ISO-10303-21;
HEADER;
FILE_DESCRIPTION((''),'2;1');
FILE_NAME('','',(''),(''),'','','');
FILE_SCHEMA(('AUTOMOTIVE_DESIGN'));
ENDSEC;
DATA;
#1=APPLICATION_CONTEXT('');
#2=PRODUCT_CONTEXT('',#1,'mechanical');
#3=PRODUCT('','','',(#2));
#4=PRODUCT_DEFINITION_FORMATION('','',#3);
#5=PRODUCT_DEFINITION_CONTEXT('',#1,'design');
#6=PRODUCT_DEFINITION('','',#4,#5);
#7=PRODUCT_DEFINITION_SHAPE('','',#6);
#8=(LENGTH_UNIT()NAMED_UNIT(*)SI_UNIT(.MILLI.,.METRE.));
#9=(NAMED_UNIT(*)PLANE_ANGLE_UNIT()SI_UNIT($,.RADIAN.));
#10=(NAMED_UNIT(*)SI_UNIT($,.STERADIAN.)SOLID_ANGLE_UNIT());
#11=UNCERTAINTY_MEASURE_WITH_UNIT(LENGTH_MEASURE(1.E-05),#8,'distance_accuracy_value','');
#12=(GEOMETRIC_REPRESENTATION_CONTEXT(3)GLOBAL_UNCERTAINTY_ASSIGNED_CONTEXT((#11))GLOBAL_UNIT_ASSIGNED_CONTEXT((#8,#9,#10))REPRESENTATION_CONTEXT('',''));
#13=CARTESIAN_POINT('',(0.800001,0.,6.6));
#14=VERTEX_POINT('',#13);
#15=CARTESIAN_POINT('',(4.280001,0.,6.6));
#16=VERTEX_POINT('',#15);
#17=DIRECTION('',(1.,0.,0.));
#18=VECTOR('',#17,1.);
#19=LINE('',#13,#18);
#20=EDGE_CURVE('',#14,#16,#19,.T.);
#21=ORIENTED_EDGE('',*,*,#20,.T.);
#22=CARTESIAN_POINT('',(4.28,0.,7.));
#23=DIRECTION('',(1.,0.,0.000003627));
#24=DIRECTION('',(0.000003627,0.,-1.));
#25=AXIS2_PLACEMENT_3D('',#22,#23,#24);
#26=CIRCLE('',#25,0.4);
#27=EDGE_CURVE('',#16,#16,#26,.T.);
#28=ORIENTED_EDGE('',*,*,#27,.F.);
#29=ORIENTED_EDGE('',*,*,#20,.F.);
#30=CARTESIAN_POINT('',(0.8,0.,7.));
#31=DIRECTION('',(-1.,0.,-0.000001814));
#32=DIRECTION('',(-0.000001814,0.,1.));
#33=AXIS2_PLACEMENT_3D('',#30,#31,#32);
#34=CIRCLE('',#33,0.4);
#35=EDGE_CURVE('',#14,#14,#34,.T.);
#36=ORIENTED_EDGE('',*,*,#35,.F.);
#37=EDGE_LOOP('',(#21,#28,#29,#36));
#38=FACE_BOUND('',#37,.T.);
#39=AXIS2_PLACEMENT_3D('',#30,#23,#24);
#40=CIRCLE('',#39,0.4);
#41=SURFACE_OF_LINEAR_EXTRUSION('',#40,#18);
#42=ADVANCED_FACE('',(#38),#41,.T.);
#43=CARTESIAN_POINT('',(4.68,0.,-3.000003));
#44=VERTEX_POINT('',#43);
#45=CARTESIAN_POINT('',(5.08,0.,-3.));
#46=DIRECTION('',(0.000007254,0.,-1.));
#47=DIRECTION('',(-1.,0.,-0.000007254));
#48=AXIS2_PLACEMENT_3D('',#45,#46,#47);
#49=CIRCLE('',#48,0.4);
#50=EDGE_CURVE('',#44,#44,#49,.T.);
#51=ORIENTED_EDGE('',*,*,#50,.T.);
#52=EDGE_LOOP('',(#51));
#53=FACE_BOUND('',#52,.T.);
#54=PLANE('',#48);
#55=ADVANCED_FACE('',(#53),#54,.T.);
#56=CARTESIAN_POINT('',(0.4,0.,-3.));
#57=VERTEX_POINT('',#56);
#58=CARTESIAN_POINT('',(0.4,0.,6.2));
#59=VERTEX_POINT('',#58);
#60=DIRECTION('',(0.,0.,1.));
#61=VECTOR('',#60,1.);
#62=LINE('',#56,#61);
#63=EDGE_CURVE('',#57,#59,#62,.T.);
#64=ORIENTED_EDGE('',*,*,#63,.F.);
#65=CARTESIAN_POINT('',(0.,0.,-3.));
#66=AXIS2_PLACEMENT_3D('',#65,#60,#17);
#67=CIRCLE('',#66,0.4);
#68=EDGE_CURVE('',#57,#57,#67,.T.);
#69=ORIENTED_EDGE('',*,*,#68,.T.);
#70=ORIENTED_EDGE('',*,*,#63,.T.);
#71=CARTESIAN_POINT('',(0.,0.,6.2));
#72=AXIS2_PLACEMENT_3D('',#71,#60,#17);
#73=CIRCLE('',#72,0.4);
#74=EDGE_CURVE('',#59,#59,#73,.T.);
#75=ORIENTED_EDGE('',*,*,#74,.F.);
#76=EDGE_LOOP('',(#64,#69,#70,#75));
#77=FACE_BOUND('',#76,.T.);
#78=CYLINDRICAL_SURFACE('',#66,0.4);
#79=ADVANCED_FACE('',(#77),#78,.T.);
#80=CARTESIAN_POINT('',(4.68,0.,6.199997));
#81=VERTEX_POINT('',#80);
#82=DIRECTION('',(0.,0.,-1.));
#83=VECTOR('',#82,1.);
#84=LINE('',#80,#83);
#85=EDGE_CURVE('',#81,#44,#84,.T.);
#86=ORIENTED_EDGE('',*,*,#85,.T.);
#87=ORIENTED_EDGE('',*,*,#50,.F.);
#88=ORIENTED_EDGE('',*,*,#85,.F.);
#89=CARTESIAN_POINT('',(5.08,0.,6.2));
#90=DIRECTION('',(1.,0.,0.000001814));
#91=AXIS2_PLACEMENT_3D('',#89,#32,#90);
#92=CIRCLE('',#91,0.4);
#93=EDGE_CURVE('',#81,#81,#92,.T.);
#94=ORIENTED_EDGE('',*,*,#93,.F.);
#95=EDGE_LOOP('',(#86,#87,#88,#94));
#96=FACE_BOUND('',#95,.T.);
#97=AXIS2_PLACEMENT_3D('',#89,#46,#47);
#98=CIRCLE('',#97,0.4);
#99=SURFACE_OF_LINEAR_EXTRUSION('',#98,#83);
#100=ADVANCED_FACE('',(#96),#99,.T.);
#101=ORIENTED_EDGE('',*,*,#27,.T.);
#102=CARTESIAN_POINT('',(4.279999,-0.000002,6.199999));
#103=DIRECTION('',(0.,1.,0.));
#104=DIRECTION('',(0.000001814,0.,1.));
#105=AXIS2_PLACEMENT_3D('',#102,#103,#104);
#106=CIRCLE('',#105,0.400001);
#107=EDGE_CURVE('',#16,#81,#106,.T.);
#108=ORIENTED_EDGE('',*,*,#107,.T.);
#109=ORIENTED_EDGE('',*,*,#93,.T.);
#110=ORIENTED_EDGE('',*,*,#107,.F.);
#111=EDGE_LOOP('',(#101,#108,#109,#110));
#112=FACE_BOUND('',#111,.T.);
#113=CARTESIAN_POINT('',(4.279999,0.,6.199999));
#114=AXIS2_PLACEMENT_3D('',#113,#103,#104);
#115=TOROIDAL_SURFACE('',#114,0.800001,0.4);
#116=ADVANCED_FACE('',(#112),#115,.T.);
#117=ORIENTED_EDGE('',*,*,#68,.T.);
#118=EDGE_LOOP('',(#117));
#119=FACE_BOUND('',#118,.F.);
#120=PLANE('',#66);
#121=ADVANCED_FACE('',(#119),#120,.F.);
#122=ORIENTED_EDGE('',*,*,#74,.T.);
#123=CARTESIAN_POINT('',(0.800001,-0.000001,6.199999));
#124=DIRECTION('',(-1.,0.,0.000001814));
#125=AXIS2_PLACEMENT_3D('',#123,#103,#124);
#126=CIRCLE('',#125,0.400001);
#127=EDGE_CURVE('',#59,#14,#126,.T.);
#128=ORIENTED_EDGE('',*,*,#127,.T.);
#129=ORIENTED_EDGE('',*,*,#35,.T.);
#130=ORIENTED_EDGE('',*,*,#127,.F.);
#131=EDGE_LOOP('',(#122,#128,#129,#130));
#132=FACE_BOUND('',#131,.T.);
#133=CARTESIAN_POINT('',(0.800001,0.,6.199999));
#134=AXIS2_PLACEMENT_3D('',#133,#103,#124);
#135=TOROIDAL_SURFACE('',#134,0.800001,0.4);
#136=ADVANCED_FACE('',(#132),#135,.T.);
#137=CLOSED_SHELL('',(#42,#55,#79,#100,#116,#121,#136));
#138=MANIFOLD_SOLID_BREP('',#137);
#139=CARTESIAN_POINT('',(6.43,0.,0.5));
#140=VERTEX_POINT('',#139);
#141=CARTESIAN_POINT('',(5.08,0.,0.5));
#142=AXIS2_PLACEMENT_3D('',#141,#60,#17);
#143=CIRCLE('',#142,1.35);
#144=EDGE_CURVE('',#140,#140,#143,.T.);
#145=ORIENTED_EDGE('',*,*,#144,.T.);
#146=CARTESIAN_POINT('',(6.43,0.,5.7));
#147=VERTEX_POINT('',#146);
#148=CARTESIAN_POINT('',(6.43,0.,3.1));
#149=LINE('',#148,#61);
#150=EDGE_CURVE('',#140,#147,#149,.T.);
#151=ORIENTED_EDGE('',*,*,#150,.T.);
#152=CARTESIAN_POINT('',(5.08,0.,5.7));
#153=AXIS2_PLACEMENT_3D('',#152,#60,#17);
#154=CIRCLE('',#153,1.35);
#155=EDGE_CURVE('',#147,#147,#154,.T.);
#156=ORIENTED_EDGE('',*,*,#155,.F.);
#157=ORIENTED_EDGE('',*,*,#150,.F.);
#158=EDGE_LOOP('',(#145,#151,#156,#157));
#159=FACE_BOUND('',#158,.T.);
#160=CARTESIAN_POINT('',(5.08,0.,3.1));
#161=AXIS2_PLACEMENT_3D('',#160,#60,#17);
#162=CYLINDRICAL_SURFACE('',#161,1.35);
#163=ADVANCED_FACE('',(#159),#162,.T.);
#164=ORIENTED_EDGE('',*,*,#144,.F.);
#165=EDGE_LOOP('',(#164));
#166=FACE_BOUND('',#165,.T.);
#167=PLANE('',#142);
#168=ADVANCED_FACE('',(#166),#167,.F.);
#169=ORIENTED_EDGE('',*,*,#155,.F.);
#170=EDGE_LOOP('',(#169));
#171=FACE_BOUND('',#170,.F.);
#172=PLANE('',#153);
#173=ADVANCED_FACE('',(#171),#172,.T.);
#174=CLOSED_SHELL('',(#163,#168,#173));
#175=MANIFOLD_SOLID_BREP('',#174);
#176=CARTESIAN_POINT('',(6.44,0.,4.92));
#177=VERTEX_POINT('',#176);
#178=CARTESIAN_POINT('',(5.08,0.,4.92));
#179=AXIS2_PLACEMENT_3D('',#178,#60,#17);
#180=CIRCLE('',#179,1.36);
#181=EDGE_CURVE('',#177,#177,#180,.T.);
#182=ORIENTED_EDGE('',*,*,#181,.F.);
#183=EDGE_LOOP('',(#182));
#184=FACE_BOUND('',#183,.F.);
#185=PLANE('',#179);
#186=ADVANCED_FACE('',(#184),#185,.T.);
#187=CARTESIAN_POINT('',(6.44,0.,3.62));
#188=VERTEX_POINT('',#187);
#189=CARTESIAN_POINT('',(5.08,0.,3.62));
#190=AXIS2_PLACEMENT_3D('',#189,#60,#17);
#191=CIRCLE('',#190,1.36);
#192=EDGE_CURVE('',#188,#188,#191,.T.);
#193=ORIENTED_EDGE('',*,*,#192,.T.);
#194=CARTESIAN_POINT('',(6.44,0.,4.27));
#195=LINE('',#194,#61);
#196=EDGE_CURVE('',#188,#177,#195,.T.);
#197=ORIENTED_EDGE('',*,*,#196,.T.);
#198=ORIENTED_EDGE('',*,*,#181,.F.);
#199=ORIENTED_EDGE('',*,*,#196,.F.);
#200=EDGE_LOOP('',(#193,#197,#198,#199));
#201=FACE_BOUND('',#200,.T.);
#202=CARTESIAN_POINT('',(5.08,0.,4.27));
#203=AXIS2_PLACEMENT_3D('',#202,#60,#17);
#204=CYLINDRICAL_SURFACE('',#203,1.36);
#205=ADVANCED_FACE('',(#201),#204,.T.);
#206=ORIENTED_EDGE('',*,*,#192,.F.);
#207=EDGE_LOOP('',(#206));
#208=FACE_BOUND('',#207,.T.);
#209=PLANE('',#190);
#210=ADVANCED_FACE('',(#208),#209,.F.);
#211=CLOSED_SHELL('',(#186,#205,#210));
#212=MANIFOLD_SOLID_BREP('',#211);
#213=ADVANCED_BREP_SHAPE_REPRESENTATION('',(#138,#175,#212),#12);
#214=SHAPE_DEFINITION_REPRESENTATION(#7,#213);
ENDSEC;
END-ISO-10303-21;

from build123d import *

# Parameters (mm, degrees)
SKETCH001_R = 0.4
SKETCH002_W = 1.35
SKETCH002_H = 5.2
SKETCH003_W = 1.36
SKETCH003_H = 1.3


with BuildPart() as sweep_body:
    # Sweep: sweep along a path in Sketch
    with BuildLine(Plane.XZ) as sweep_path:
        Line((0, -3), (0, 6.2))
        ThreePointArc((0, 6.2), (0.234315, 6.765685), (0.8, 7))
        Line((0.8, 7), (4.28, 7))
        ThreePointArc((4.28, 7), (4.845685, 6.765685), (5.08, 6.2))
        Line((5.08, 6.2), (5.08, -3))
    # Sketch001 → Sweep (sweep)
    with BuildSketch(Plane.XY):
        Circle(SKETCH001_R)
    sweep(path=sweep_path.line)


with BuildPart() as revolution:
    # Sketch002 → Revolution (revolve)
    with BuildSketch(Plane.XZ):
        with Locations((5.755, 3.1)):
            Rectangle(SKETCH002_W, SKETCH002_H)
    revolve(axis=Axis((5.08, 0, 0.5), (0, 0, 1)))


with BuildPart() as revolution001:
    # Sketch003 → Revolution001 (revolve)
    with BuildSketch(Plane.XZ):
        with Locations((5.76, 4.27)):
            Rectangle(SKETCH003_W, SKETCH003_H)
    revolve(axis=Axis((5.08, 0, 3.62), (0, 0, 1)))


solid = Compound([sweep_body.part, revolution.part, revolution001.part])
